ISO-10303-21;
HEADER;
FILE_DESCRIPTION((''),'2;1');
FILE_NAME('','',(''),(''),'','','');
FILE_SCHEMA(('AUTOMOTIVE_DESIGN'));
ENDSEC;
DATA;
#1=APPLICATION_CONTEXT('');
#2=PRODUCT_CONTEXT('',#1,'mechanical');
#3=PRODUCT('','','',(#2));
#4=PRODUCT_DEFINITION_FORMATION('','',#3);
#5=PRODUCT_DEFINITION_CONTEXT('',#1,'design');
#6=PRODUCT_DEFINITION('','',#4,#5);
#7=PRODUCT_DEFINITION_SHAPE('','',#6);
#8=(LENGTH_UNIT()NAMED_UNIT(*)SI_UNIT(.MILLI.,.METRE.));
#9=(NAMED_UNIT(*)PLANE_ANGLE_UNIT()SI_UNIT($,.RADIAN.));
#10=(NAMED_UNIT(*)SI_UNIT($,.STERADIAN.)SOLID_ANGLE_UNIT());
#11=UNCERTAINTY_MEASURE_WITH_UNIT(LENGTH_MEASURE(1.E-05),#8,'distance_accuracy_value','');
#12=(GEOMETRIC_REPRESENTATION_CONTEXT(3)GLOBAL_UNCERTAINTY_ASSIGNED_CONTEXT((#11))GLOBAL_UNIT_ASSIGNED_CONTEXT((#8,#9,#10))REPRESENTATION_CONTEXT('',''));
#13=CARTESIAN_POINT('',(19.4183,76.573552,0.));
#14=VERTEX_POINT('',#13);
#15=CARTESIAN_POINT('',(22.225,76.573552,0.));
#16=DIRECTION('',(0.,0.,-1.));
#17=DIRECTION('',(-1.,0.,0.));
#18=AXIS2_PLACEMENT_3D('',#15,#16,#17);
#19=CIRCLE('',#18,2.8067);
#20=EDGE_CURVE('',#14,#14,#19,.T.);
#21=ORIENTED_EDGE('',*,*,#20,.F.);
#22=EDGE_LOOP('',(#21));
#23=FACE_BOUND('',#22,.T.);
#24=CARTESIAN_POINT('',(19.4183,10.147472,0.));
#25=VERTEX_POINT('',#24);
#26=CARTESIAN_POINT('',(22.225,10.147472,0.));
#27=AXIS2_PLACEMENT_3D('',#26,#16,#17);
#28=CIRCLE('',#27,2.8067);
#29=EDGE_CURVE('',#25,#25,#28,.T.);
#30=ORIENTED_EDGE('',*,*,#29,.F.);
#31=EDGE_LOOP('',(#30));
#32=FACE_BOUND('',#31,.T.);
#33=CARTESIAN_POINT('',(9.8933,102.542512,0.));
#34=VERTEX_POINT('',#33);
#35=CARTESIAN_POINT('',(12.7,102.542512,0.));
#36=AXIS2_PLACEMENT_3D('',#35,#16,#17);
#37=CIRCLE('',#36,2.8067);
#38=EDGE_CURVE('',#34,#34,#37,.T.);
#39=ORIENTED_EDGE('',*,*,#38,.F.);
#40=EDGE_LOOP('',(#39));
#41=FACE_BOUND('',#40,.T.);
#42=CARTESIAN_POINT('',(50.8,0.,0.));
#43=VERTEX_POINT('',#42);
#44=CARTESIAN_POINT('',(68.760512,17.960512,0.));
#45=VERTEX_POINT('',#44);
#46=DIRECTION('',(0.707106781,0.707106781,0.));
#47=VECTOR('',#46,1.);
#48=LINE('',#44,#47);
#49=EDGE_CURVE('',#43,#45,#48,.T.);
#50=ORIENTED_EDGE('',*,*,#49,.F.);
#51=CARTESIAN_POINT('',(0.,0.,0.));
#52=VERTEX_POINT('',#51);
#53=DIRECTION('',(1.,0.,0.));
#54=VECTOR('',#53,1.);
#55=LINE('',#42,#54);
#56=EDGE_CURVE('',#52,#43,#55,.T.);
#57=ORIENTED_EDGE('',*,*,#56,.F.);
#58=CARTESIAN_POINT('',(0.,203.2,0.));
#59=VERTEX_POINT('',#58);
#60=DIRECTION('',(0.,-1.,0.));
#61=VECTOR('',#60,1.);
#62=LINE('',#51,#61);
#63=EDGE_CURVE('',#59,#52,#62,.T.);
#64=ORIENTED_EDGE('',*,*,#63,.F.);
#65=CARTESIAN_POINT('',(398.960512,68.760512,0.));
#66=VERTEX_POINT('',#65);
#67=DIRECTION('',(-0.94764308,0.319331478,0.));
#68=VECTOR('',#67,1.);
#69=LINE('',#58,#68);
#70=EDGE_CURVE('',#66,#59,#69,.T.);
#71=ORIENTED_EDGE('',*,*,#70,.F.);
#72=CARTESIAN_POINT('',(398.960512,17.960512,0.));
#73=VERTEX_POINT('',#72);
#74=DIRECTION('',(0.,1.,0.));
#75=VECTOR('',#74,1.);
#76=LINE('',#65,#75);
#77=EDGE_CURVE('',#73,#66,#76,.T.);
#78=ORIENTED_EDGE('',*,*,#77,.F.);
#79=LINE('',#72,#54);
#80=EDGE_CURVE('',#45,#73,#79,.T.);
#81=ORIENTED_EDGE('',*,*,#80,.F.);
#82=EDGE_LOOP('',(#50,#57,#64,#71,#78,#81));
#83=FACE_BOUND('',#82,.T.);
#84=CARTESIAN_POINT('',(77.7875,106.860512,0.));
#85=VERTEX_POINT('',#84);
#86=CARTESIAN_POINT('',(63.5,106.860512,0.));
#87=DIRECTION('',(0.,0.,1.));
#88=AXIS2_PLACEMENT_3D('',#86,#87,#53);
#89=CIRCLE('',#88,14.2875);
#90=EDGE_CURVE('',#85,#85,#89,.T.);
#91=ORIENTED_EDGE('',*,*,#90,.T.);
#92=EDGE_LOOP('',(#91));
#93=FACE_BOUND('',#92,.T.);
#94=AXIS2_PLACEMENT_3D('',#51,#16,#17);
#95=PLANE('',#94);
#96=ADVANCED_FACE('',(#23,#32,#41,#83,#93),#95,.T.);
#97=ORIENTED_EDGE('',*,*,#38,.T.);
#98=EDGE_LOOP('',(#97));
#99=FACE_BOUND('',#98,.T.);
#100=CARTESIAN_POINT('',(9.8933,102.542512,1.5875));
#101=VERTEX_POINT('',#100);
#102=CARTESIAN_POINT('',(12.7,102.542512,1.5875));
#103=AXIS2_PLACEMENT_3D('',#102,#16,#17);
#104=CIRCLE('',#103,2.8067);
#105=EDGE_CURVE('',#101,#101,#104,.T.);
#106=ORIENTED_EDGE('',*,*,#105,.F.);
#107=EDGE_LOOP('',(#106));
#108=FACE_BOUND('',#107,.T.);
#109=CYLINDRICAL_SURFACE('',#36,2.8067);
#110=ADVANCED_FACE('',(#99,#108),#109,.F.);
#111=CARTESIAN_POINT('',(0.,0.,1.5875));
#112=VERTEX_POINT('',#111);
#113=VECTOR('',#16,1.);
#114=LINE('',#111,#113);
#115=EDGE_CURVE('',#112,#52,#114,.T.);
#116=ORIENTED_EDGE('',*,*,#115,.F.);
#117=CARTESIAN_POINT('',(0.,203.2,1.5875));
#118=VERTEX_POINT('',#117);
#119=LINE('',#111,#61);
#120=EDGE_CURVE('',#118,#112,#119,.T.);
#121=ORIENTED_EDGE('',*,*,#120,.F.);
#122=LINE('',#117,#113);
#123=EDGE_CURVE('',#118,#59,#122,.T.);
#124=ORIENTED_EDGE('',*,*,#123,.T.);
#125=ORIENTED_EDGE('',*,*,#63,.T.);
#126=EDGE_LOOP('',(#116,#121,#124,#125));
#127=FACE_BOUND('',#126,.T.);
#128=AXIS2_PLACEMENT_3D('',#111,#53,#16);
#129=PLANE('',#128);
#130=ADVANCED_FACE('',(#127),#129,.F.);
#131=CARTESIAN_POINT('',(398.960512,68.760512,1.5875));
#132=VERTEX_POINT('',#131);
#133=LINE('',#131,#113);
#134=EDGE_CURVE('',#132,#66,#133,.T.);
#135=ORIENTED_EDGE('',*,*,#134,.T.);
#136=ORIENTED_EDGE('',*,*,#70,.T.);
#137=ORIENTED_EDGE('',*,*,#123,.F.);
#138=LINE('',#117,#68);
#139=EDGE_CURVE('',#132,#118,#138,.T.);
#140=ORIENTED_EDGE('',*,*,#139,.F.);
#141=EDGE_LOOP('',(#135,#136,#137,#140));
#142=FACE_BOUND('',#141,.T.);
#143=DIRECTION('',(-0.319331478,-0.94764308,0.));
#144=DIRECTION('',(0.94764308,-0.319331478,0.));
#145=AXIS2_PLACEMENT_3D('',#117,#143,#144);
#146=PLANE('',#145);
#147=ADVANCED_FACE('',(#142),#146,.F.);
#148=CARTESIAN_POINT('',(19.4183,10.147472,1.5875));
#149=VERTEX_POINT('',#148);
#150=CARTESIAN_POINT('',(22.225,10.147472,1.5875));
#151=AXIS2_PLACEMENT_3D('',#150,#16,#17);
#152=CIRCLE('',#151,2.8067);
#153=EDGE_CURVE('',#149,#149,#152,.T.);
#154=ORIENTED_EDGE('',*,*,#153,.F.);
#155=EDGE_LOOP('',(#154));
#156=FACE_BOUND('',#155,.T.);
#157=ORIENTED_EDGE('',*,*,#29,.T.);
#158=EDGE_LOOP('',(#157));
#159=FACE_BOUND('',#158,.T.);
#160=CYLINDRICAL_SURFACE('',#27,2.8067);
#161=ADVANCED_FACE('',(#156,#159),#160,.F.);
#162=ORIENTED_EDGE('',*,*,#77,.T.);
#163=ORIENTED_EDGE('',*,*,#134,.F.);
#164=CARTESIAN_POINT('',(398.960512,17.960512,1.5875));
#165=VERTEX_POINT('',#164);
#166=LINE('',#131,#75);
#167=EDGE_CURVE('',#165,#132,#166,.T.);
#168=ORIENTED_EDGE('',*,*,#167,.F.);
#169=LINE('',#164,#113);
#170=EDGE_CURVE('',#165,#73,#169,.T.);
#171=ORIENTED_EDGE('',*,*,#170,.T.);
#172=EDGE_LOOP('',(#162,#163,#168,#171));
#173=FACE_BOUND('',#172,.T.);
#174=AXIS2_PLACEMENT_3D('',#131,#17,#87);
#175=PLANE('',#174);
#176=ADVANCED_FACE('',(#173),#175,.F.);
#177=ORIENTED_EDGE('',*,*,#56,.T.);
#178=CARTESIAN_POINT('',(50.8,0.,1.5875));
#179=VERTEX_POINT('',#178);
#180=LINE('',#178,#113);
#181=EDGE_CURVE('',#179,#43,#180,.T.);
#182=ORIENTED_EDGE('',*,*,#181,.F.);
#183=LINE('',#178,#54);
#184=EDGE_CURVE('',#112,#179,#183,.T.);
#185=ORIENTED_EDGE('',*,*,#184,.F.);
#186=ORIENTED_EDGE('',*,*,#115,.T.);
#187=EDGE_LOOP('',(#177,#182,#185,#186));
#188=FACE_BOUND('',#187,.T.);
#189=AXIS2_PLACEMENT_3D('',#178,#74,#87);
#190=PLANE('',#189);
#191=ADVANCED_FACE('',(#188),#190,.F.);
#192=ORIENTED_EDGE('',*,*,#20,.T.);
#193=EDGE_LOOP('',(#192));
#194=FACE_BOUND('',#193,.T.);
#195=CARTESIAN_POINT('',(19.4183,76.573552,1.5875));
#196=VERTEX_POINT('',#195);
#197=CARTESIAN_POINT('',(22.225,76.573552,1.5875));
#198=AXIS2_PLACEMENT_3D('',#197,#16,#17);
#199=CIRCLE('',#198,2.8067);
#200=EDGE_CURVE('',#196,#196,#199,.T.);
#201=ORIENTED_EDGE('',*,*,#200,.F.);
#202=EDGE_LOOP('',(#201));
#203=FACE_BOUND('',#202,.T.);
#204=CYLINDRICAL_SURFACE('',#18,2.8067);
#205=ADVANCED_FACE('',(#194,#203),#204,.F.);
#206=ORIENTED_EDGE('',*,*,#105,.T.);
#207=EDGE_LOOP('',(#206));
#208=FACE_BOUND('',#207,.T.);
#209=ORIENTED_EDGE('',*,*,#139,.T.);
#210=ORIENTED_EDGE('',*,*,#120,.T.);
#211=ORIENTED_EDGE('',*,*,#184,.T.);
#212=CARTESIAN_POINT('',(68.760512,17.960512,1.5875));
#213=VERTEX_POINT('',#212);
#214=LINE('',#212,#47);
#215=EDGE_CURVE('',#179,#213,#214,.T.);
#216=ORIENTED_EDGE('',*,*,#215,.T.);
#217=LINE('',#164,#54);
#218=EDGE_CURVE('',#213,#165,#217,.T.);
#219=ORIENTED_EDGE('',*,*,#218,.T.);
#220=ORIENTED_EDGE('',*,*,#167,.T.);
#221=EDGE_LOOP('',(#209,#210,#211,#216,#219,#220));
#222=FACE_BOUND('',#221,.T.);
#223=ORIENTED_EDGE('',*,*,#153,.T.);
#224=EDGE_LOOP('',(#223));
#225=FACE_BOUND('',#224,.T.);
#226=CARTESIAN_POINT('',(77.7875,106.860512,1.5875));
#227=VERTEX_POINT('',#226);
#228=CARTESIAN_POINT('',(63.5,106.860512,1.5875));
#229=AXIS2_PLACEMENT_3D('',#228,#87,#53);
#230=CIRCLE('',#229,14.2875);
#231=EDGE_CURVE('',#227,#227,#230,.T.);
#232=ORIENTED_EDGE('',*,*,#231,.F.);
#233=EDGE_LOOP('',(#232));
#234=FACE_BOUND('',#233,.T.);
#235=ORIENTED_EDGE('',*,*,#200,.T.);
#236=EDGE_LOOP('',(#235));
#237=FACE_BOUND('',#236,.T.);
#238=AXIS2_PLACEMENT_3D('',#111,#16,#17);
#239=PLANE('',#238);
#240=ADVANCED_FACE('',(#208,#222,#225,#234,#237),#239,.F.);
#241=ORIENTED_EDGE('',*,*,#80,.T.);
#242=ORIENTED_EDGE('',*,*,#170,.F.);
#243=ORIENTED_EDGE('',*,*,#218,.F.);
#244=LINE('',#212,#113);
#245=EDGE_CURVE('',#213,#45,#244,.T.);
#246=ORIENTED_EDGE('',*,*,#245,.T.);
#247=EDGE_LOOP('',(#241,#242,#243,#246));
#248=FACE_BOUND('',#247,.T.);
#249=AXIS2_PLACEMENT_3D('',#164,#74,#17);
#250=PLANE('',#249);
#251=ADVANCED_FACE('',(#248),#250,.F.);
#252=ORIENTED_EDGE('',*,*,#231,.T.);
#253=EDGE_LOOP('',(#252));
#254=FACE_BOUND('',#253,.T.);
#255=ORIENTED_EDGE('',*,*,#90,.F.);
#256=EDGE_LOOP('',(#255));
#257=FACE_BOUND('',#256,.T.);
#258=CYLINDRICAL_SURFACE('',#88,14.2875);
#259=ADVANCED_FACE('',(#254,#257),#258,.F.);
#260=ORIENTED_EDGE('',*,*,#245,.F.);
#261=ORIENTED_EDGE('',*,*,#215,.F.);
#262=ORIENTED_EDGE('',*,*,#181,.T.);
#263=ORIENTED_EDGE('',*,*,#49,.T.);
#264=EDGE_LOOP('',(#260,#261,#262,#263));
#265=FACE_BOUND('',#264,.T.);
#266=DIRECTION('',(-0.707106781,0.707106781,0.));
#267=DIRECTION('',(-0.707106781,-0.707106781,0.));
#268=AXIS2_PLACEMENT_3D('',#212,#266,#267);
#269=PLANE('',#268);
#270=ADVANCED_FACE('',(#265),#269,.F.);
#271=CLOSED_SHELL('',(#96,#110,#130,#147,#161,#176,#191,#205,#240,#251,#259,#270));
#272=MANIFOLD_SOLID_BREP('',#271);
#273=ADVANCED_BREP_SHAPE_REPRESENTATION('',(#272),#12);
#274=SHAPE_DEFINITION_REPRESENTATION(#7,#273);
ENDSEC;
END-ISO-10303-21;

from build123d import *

# Parameters (mm, degrees)
BOSS_EXTRUDE1_DEPTH    = 1.5875
F_10_CLEARANCE_HOLE1_D = 5.6134
SKETCH5_R              = 14.2875
CUT_EXTRUDE1_DEPTH     = 448.730108977


with BuildPart() as part:
    # Sketch1 → Boss-Extrude1 (new body)
    with BuildSketch(Plane.XY):
        Polygon((0, 0), (0, 203.2), (398.960512242, 68.760512242), (398.960512242, 17.960512242), (68.760512242, 17.960512242), (50.8, 0), align=None)
    extrude(amount=BOSS_EXTRUDE1_DEPTH)

    # #10 Clearance Hole1 (through all)
    with Locations(Plane(origin=(0, 0, 0), x_dir=(-1, 0, 0), z_dir=(0, 0, -1))):
        with Locations((-12.7, 102.542512242), (-22.225, 76.573552108), (-22.225, 10.147472376)):
            Hole(F_10_CLEARANCE_HOLE1_D / 2)

    # Sketch5 → Cut-Extrude1 (cut, through all)
    with BuildSketch(Plane.XY.offset(1.5875)):
        with Locations((63.5, 106.860512242)):
            Circle(SKETCH5_R)
    extrude(amount=-CUT_EXTRUDE1_DEPTH, mode=Mode.SUBTRACT)


solid = part.part
